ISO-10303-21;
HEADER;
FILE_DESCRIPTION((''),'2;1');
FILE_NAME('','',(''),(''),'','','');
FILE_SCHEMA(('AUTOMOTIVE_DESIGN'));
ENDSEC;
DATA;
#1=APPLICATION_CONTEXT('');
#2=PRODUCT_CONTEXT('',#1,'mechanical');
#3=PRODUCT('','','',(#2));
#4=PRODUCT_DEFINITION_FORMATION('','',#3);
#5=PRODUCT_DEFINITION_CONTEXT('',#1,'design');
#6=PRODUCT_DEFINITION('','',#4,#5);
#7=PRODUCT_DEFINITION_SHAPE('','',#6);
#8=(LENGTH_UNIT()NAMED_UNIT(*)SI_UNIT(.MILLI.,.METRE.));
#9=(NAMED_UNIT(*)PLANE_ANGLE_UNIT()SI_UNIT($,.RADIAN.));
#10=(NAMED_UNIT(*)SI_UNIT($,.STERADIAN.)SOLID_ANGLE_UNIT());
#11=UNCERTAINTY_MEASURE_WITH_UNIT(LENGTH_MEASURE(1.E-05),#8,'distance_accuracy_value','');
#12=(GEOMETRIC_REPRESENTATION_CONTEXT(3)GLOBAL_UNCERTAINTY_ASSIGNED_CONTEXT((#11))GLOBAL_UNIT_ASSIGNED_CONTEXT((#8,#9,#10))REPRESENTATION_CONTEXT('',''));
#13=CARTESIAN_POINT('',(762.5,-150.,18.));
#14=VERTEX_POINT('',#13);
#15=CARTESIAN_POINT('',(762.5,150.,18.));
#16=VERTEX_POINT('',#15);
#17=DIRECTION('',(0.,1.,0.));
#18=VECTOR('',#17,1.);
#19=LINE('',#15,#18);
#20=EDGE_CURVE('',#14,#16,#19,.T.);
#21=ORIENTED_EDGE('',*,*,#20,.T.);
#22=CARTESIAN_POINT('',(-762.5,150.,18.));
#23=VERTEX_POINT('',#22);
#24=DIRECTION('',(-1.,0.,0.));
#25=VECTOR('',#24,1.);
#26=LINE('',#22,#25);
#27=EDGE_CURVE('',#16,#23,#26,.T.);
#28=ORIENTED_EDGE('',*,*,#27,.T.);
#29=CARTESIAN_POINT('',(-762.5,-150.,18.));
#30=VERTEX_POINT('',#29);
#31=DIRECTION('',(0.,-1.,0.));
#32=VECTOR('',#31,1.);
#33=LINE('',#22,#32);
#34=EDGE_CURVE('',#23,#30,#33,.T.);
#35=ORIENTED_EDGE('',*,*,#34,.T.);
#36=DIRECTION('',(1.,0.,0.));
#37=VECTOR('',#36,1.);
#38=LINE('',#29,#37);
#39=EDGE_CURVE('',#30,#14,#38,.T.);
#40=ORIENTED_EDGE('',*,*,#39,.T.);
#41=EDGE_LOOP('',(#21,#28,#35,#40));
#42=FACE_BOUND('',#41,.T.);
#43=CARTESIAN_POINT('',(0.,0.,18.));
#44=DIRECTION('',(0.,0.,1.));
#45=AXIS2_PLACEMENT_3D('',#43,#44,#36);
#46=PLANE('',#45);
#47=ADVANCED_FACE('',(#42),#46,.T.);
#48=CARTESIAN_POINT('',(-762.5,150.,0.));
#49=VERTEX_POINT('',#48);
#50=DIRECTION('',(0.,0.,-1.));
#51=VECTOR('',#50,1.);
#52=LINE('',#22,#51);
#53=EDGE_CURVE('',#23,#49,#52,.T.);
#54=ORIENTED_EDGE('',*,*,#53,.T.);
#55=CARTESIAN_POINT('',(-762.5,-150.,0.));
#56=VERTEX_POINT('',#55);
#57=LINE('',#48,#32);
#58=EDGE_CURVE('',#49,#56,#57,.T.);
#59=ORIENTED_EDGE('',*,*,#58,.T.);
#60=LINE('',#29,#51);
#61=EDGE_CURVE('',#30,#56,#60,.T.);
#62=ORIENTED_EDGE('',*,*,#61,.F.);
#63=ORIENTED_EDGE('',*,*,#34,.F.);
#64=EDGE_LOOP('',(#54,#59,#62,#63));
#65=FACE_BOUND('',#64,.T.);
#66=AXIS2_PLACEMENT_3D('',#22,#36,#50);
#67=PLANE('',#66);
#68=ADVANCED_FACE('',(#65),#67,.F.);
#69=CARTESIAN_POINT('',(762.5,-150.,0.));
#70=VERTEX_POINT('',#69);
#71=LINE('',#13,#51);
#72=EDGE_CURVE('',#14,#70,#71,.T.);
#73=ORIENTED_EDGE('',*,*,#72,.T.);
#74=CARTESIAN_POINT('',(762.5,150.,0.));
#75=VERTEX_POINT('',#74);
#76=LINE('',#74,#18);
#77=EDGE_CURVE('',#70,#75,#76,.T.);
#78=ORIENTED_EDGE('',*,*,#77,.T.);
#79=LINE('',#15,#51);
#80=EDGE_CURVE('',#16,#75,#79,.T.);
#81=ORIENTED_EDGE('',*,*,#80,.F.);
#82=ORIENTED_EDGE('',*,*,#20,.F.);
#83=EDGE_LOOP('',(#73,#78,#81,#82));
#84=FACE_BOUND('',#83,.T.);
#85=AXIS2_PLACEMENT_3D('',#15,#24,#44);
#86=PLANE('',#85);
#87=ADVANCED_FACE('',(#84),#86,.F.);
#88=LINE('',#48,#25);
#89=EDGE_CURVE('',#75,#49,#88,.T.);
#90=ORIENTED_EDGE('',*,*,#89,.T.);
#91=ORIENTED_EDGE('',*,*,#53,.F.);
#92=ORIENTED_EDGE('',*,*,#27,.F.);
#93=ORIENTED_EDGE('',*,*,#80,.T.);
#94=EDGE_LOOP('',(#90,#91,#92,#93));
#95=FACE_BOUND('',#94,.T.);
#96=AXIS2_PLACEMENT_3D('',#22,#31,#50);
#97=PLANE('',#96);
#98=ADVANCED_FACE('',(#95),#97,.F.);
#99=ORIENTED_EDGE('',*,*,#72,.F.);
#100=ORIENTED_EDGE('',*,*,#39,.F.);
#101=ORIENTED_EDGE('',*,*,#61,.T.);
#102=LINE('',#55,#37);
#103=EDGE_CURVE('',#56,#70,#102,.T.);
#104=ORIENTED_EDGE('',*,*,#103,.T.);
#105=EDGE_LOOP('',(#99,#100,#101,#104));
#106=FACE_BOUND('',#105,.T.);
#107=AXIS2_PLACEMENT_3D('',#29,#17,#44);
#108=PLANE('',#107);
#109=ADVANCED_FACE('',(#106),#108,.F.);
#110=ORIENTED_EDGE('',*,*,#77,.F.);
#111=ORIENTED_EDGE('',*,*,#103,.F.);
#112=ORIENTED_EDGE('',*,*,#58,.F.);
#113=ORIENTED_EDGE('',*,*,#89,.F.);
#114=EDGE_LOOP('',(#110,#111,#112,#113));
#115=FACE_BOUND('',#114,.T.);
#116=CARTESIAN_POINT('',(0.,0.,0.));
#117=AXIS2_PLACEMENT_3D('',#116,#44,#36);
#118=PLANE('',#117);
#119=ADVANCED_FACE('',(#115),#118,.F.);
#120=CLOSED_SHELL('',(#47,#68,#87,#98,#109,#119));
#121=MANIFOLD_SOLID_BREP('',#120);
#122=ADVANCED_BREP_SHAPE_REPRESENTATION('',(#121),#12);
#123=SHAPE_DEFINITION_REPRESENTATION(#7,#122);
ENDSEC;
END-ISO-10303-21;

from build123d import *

# Parameters (mm, degrees)
SKIZZE1_W                       = 1525
SKIZZE1_H                       = 300
AUFSATZ_LINEAR_AUSTRAGEN1_DEPTH = 18


with BuildPart() as part:
    # Skizze1 → Aufsatz-Linear austragen1 (new body)
    with BuildSketch(Plane.XY):
        Rectangle(SKIZZE1_W, SKIZZE1_H)
    extrude(amount=AUFSATZ_LINEAR_AUSTRAGEN1_DEPTH)


solid = part.part
